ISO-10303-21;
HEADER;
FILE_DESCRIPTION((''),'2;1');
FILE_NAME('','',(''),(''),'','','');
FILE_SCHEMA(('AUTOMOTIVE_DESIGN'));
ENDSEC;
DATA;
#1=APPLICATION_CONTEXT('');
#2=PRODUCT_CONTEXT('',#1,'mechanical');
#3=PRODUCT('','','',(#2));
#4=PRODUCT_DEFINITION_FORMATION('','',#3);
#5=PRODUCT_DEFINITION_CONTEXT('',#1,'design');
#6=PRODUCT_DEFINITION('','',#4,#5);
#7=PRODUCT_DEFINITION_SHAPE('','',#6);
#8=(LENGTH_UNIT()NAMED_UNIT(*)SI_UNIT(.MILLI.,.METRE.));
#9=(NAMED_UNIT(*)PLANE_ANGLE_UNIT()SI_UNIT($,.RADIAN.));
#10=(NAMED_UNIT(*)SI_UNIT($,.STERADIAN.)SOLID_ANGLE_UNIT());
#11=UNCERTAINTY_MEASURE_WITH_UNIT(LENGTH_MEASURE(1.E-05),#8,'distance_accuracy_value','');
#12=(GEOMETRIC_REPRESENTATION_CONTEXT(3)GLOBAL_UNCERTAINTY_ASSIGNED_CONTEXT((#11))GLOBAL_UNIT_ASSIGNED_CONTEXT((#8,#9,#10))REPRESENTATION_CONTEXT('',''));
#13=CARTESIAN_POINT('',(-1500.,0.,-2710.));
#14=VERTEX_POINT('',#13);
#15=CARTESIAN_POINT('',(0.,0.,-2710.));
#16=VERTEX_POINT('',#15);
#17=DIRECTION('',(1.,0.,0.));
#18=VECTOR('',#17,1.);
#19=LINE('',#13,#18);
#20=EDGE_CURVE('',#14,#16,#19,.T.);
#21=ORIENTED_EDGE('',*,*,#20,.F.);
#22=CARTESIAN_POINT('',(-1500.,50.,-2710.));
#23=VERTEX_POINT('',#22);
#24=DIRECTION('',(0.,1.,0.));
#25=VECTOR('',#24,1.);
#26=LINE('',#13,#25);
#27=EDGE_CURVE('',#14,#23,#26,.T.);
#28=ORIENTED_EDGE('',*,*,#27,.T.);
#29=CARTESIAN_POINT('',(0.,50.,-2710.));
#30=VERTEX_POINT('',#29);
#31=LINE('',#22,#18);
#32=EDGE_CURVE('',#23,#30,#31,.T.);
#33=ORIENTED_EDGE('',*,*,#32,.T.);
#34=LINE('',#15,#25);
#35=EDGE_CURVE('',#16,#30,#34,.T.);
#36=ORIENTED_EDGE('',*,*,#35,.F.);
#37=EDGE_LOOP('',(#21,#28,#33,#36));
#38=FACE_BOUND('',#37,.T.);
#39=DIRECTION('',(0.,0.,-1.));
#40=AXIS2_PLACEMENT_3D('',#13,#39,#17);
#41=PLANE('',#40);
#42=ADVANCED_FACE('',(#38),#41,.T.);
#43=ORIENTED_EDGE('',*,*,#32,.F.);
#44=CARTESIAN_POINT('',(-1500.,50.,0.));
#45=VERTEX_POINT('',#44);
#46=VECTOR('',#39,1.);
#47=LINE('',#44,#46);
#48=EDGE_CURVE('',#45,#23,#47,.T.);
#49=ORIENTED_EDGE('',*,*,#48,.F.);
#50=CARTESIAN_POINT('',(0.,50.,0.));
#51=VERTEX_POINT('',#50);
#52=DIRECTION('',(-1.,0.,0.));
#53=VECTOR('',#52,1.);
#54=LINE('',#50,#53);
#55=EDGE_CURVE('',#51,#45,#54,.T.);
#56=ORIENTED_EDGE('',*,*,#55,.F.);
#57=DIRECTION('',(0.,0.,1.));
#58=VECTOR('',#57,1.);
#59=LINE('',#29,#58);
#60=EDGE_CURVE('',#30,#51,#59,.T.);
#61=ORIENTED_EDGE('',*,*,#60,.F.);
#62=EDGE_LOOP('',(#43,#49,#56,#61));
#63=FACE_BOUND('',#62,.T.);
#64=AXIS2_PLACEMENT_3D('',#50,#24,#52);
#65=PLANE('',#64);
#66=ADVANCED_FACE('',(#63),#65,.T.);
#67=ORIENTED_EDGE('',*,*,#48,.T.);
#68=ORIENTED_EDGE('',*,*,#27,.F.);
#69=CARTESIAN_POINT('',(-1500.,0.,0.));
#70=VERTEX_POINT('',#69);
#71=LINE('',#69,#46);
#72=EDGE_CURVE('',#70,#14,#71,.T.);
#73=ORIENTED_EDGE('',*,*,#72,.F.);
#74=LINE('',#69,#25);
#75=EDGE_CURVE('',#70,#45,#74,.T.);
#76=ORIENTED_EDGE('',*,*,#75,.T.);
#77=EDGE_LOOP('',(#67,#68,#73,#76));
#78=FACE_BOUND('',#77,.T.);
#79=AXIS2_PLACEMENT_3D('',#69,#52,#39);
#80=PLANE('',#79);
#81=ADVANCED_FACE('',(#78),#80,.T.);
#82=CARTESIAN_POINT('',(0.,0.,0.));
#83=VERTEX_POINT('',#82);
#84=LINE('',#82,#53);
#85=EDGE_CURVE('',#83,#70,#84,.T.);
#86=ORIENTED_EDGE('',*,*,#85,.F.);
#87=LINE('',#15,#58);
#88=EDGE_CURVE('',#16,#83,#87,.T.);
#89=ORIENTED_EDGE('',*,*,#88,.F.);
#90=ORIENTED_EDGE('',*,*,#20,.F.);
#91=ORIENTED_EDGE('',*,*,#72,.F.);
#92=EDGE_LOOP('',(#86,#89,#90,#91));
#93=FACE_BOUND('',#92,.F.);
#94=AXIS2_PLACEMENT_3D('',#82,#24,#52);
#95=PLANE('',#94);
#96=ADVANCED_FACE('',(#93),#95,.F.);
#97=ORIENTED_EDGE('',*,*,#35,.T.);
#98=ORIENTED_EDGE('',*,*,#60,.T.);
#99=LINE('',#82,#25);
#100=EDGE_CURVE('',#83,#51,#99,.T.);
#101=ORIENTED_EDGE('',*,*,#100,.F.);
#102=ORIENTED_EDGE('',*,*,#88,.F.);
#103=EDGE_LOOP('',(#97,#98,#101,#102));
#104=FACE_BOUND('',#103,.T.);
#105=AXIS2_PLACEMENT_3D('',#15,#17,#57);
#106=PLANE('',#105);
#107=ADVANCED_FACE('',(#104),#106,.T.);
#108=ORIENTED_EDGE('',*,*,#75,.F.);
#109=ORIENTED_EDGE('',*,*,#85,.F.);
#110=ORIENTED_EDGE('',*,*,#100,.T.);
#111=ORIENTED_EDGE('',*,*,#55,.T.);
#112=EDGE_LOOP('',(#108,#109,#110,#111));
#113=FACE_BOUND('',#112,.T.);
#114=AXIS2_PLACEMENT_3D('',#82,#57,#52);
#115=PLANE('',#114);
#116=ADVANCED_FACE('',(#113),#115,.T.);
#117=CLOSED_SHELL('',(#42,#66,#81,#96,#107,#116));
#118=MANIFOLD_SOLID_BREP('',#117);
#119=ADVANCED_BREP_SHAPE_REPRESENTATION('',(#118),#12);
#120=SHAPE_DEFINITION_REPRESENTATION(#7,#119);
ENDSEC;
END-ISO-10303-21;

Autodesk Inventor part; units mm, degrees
ref_plane "YZ Plane" through (0, 0, 0) normal (1, 0, 0) x (0, 1, 0)
ref_plane "XZ Plane" through (0, 0, 0) normal (0, 1, 0) x (-1, 0, 0)
ref_plane "XY Plane" through (0, 0, 0) normal (0, 0, 1) x (1, 0, 0)
sketch "Sketch1" plane through (0, 0, 0) normal (0, 1, 0) x (-1, 0, 0)
  line L0 (0, 0) -> (1500, 0)
  line L1 (1500, 0) -> (1500, -2710)
  line L2 (1500, -2710) -> (0, -2710)
  line L3 (0, -2710) -> (0, 0)
  dimension "d0" = 1500
  dimension "d1" = 2710
extrude "Extrusion1" add sketch "Sketch1" along normal blind 50
properties part number "InsulatorCeiling" material "Polyethylene, Low Density"
